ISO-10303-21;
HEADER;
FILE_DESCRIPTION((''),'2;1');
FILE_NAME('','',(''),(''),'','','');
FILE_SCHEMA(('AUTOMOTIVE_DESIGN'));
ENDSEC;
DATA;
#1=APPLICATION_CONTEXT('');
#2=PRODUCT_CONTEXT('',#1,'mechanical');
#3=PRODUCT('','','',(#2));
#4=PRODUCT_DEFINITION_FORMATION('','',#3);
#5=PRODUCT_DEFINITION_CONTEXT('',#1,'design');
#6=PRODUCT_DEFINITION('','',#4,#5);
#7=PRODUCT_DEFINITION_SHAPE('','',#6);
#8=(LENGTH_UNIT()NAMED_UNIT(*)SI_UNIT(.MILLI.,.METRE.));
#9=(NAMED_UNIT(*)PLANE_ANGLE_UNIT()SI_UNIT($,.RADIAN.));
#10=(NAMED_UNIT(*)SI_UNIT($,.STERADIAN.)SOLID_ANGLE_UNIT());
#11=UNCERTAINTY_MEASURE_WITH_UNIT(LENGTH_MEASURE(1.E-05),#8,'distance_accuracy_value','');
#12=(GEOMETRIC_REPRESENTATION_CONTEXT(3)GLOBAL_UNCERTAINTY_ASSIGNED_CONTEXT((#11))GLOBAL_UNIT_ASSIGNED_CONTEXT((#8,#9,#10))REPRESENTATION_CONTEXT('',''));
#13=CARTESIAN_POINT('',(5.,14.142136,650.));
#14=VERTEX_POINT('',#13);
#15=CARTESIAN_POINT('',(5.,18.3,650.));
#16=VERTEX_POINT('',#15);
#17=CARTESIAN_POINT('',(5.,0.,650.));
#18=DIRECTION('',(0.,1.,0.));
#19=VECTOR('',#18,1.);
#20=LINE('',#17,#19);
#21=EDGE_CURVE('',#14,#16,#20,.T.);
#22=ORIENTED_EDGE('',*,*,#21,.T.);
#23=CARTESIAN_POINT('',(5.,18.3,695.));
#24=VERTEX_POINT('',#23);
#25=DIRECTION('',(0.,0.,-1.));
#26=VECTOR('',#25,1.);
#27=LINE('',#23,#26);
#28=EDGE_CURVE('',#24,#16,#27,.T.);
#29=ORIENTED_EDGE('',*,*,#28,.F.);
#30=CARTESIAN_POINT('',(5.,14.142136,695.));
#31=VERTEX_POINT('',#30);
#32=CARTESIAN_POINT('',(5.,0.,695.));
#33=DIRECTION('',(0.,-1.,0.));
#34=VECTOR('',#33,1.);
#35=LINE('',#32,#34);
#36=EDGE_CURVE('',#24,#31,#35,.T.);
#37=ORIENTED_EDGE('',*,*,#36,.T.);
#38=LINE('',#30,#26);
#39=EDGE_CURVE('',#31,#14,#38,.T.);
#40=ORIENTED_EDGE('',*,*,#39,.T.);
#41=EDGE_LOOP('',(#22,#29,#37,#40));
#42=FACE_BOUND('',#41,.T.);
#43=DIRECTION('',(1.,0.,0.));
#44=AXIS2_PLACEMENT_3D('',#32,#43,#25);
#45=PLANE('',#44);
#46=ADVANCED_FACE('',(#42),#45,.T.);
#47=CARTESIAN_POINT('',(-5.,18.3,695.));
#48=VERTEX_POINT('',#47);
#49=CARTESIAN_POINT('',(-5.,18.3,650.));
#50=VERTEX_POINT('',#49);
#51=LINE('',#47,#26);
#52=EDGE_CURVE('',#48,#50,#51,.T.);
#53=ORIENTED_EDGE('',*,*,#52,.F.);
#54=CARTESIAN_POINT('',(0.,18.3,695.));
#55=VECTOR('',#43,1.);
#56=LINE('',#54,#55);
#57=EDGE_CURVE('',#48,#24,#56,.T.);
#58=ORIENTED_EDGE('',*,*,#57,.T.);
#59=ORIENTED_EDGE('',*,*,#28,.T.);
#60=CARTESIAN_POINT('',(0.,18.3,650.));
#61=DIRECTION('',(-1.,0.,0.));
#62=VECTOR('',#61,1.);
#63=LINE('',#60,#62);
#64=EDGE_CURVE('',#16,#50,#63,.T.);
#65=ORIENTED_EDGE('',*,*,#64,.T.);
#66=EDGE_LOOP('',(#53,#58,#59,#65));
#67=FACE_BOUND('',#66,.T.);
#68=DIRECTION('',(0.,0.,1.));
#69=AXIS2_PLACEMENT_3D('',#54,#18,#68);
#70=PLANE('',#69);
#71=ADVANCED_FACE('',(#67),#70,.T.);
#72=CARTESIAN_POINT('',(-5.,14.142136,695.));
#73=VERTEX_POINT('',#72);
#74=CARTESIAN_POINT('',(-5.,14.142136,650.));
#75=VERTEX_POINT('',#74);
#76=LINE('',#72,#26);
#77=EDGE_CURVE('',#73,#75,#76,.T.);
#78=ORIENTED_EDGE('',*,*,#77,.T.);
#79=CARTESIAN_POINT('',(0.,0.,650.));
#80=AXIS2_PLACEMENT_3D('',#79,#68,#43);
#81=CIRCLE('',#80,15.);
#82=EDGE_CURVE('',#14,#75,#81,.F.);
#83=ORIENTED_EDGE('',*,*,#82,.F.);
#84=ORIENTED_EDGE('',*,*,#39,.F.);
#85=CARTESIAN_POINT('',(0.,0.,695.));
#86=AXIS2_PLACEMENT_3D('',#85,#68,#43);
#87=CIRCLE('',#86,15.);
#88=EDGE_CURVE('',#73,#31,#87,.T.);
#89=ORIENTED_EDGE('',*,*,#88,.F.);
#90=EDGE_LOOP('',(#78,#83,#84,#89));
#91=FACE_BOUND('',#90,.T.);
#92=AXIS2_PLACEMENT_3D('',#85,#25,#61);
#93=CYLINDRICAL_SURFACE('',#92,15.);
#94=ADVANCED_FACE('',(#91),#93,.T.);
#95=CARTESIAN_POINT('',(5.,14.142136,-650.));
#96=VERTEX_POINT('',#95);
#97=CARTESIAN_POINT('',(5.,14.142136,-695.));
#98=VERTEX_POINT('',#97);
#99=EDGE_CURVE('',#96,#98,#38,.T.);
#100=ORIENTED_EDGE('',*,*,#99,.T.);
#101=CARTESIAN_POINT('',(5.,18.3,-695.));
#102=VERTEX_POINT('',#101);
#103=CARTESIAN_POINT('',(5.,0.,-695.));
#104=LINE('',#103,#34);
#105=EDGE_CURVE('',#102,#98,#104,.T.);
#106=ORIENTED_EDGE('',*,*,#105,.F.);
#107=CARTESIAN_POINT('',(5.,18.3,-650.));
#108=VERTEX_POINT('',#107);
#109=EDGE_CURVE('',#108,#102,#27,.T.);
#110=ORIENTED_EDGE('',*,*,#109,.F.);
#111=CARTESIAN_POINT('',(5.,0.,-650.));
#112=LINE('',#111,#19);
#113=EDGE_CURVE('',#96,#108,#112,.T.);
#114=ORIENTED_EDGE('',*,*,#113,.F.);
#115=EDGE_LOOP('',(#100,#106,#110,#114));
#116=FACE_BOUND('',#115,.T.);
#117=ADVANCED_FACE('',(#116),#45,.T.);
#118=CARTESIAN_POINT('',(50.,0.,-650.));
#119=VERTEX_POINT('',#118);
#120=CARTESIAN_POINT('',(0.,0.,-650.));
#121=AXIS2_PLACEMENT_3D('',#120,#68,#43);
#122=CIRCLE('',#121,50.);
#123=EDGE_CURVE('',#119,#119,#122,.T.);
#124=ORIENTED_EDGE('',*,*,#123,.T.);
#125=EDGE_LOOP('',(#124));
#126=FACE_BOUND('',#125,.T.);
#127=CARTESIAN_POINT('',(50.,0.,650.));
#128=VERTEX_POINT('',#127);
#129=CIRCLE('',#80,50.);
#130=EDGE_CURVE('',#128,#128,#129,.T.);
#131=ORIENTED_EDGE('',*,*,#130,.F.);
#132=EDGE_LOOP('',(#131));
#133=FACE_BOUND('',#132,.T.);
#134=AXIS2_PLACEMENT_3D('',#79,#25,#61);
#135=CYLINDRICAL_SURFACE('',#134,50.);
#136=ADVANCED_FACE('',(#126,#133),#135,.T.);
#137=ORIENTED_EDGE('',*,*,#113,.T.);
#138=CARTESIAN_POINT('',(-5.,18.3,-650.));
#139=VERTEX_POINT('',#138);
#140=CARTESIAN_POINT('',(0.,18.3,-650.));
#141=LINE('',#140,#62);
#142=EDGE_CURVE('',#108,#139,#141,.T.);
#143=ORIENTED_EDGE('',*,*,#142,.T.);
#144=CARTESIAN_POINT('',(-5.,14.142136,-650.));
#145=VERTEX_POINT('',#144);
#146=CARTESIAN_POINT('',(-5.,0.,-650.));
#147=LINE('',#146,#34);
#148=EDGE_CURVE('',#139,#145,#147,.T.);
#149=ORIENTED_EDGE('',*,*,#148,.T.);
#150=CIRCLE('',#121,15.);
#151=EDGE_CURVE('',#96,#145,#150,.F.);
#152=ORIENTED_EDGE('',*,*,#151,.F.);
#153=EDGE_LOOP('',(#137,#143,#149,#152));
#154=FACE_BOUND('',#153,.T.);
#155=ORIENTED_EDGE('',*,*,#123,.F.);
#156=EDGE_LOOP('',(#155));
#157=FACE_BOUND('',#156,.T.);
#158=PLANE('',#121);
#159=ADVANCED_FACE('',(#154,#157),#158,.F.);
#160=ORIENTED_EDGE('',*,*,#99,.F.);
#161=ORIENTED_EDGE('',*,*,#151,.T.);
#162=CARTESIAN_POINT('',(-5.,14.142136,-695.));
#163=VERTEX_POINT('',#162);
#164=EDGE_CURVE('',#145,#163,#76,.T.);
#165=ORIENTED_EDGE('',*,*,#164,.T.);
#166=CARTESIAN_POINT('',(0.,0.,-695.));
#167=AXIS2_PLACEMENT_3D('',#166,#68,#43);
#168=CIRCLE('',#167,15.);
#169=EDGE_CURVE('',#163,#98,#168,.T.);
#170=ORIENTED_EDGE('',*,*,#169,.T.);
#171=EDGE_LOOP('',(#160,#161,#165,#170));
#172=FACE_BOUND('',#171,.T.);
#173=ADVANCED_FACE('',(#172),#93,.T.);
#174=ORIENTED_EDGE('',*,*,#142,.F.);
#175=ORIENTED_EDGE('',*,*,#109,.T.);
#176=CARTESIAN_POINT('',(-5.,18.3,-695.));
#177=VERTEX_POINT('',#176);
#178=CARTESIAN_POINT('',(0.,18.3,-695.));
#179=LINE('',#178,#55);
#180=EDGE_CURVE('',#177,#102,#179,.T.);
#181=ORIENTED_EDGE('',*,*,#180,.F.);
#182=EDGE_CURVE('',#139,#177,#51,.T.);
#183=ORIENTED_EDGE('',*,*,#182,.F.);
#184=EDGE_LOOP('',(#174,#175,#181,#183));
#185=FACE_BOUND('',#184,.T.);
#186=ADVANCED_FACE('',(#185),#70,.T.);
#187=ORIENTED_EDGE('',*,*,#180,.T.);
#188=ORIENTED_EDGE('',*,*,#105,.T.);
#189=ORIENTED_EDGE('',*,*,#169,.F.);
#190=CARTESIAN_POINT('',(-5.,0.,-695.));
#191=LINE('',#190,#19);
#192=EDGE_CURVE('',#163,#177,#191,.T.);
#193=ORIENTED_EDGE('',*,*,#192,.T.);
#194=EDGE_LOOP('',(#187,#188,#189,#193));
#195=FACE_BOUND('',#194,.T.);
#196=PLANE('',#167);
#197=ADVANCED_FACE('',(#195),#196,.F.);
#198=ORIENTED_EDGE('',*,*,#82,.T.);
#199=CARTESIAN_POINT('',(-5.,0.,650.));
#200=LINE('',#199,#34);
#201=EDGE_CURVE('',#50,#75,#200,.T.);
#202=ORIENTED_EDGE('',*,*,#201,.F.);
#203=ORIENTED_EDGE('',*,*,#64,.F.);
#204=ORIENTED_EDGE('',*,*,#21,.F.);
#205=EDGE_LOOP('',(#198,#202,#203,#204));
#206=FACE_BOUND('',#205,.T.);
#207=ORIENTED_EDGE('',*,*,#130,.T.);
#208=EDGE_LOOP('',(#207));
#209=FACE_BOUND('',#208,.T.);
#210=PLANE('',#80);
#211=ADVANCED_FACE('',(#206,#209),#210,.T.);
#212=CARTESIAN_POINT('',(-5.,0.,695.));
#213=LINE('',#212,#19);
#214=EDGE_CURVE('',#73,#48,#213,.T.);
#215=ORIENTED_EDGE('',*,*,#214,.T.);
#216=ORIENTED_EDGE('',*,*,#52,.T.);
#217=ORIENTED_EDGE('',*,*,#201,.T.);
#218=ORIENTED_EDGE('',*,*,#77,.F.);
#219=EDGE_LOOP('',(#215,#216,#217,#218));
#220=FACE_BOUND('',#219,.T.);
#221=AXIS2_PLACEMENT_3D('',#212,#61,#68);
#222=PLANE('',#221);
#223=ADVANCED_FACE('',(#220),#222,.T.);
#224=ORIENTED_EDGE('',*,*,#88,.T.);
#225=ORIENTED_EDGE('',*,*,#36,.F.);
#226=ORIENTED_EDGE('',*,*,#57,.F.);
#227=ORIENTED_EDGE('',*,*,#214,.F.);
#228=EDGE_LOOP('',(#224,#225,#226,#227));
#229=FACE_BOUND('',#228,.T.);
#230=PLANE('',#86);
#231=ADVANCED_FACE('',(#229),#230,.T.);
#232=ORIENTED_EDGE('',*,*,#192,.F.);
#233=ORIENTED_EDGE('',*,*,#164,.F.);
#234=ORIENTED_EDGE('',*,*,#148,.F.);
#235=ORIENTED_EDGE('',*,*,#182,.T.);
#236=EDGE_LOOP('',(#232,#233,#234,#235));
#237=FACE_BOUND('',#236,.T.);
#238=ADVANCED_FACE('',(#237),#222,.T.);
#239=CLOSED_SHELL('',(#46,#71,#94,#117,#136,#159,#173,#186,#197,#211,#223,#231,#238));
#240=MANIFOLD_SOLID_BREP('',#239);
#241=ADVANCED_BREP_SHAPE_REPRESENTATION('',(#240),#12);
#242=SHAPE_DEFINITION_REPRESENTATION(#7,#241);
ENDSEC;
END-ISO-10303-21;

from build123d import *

# Parameters (mm, degrees)
SKETCH1_R           = 50
BOSS_EXTRUDE1_DEPTH = 650
BOSS_EXTRUDE2_DEPTH = 695


with BuildPart() as part:
    # Sketch1 → Boss-Extrude1 (new, symmetric)
    with BuildSketch(Plane.XY):
        Circle(SKETCH1_R)
    extrude(amount=BOSS_EXTRUDE1_DEPTH, both=True)

    # Sketch4 → Boss-Extrude2 (add, symmetric)
    with BuildSketch(Plane.XY):
        with BuildLine():
            Line((-5, 14.142135624), (-5, 18.3))
            Line((-5, 18.3), (5, 18.3))
            Line((5, 18.3), (5, 14.142135624))
            ThreePointArc((5, 14.142135624), (0, -15), (-5, 14.142135624))
        make_face()
    extrude(amount=BOSS_EXTRUDE2_DEPTH, both=True)


solid = part.part
